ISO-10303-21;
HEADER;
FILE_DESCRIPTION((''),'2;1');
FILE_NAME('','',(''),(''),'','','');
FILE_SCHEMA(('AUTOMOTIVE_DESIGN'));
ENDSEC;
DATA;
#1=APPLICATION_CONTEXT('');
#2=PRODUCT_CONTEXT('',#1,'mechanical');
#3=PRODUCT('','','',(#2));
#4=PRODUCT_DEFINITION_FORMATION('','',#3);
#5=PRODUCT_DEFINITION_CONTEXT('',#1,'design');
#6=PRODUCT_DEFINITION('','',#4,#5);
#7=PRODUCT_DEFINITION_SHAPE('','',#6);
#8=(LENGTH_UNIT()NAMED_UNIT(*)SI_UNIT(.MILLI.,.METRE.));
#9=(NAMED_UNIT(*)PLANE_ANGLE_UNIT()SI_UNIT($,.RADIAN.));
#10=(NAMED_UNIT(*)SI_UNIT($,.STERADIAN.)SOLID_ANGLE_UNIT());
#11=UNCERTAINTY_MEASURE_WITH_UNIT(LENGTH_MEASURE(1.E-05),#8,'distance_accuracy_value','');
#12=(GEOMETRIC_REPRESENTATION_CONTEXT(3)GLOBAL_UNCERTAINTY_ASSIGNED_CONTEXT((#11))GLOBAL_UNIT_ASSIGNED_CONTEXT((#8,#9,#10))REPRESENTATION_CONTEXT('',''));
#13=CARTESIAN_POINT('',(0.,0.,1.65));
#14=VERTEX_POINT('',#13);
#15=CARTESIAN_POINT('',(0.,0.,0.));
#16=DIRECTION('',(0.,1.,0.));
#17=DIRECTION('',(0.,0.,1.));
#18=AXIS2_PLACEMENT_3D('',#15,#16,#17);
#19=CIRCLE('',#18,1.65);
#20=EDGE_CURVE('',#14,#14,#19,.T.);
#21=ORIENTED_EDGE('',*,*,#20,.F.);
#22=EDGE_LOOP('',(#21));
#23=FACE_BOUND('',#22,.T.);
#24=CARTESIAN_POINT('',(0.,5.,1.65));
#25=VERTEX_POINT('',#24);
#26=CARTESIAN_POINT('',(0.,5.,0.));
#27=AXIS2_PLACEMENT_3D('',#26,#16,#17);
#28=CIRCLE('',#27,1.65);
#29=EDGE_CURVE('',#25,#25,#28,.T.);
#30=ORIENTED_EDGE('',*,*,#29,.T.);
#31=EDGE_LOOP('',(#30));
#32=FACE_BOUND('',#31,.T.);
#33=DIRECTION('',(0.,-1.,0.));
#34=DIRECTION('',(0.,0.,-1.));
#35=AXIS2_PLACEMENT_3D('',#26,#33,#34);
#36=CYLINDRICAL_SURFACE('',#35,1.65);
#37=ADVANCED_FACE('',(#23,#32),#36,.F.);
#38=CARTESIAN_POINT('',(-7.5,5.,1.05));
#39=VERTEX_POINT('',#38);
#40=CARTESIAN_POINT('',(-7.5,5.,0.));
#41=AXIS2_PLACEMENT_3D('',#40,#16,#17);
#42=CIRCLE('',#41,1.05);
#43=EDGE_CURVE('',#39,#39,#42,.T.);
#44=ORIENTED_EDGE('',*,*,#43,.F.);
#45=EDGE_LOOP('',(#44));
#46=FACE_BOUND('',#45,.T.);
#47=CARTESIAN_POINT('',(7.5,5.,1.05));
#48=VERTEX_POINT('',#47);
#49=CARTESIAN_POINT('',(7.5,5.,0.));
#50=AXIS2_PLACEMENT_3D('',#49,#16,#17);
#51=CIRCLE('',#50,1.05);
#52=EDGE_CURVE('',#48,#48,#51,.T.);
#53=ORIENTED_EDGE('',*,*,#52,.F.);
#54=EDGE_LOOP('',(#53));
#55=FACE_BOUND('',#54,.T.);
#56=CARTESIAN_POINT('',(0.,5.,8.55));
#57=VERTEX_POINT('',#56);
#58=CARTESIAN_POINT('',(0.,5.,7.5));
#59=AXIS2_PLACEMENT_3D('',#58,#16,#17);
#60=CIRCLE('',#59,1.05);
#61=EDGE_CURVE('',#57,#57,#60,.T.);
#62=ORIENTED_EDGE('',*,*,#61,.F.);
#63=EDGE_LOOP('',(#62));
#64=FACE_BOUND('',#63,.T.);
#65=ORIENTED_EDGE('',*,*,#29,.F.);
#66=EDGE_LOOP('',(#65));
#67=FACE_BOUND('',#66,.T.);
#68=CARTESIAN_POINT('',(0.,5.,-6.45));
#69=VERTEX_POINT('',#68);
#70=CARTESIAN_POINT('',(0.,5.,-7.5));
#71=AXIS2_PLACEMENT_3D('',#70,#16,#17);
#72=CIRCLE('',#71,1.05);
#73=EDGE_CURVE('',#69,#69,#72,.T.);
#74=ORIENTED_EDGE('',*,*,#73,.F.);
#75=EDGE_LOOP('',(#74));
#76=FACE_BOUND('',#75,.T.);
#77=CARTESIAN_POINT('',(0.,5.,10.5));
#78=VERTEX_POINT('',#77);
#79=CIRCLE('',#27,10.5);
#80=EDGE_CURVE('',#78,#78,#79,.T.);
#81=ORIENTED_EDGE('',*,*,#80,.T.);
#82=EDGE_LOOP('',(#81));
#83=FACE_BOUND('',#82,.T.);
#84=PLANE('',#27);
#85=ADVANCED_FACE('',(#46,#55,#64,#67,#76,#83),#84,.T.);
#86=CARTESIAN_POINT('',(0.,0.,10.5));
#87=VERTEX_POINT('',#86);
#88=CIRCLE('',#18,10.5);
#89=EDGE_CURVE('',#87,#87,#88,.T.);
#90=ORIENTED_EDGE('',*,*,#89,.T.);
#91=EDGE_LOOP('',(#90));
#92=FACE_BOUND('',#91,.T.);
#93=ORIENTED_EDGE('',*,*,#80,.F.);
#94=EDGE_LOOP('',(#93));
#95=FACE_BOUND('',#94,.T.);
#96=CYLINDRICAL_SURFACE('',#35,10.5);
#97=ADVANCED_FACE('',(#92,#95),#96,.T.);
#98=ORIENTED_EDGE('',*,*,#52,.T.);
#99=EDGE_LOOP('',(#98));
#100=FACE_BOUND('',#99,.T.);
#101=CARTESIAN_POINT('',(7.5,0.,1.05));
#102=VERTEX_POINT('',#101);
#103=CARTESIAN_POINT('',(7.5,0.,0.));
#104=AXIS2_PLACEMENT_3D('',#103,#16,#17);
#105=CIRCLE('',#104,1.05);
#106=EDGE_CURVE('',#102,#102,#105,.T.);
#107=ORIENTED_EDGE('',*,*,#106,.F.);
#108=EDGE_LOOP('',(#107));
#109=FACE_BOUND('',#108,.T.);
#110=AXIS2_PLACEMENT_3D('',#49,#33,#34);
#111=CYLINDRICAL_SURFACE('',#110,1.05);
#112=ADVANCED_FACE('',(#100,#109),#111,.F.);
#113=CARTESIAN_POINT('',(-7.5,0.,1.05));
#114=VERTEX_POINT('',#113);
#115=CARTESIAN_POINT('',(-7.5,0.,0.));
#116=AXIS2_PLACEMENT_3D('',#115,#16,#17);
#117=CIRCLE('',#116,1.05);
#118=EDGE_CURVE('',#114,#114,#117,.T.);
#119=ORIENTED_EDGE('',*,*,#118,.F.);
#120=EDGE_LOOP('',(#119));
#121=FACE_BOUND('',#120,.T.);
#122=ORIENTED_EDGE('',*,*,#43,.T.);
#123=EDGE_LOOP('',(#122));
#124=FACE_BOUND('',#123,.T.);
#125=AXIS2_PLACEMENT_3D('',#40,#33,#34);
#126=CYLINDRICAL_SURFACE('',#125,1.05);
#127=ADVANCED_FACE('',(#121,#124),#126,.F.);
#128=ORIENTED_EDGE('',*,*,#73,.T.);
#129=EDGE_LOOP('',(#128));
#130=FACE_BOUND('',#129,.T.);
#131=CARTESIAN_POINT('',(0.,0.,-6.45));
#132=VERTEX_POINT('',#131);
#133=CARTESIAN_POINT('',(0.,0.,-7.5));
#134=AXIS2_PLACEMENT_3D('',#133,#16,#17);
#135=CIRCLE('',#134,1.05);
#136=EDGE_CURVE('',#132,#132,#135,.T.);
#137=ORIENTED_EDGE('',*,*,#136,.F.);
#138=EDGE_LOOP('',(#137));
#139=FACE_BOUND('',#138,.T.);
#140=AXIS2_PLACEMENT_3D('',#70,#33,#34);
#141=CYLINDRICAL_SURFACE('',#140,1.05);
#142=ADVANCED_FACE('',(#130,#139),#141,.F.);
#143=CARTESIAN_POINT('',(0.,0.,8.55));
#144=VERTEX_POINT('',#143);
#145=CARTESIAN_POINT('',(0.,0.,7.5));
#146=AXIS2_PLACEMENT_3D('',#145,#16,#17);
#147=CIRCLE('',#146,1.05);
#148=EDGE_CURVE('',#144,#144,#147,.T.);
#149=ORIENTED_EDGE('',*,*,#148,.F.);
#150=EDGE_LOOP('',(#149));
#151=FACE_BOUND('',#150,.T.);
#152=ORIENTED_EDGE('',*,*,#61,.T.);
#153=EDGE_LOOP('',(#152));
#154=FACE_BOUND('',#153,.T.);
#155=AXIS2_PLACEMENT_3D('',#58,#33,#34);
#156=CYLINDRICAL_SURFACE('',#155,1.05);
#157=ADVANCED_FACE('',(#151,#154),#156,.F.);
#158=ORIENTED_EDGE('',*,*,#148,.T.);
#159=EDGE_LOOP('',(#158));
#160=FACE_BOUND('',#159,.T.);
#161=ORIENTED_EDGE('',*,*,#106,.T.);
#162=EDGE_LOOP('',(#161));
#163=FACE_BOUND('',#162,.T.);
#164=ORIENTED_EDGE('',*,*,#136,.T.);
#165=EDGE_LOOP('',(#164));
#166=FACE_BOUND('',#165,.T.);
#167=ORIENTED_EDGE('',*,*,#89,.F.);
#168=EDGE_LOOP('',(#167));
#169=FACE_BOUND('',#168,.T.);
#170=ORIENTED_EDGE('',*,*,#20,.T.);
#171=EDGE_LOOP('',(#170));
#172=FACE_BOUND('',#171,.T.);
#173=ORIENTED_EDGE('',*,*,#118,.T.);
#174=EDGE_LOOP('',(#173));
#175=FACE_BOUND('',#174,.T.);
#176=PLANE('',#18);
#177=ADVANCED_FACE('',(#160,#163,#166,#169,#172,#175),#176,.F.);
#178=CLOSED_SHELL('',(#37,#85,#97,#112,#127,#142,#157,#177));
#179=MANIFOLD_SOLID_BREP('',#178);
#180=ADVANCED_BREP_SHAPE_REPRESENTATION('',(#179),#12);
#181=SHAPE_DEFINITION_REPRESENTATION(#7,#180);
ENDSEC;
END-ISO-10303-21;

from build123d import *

# Parameters (mm, degrees)
SKETCH1_R           = 10.5
SKETCH1_R_2         = 1.65
SKETCH1_R_3         = 1.05
BOSS_EXTRUDE1_DEPTH = 5


with BuildPart() as part:
    # Sketch1 → Boss-Extrude1 (new body)
    with BuildSketch(Plane(origin=(0, 0, 0), x_dir=(1, 0, 0), z_dir=(0, 1, 0))):
        with Locations(Location((0, 0, 0), (0, 0, 270))):
            Circle(SKETCH1_R)
        with Locations(Location((0, 0, 0), (0, 0, 270))):
            Circle(SKETCH1_R_2, mode=Mode.SUBTRACT)
        with Locations(Location((-7.5, 0, 0), (0, 0, 270))):
            Circle(SKETCH1_R_3, mode=Mode.SUBTRACT)
        with Locations(Location((0, 7.5, 0), (0, 0, 270))):
            Circle(SKETCH1_R_3, mode=Mode.SUBTRACT)
        with Locations(Location((7.5, 0, 0), (0, 0, 270))):
            Circle(SKETCH1_R_3, mode=Mode.SUBTRACT)
        with Locations(Location((0, -7.5, 0), (0, 0, 270))):
            Circle(SKETCH1_R_3, mode=Mode.SUBTRACT)
    extrude(amount=BOSS_EXTRUDE1_DEPTH)


solid = part.part
